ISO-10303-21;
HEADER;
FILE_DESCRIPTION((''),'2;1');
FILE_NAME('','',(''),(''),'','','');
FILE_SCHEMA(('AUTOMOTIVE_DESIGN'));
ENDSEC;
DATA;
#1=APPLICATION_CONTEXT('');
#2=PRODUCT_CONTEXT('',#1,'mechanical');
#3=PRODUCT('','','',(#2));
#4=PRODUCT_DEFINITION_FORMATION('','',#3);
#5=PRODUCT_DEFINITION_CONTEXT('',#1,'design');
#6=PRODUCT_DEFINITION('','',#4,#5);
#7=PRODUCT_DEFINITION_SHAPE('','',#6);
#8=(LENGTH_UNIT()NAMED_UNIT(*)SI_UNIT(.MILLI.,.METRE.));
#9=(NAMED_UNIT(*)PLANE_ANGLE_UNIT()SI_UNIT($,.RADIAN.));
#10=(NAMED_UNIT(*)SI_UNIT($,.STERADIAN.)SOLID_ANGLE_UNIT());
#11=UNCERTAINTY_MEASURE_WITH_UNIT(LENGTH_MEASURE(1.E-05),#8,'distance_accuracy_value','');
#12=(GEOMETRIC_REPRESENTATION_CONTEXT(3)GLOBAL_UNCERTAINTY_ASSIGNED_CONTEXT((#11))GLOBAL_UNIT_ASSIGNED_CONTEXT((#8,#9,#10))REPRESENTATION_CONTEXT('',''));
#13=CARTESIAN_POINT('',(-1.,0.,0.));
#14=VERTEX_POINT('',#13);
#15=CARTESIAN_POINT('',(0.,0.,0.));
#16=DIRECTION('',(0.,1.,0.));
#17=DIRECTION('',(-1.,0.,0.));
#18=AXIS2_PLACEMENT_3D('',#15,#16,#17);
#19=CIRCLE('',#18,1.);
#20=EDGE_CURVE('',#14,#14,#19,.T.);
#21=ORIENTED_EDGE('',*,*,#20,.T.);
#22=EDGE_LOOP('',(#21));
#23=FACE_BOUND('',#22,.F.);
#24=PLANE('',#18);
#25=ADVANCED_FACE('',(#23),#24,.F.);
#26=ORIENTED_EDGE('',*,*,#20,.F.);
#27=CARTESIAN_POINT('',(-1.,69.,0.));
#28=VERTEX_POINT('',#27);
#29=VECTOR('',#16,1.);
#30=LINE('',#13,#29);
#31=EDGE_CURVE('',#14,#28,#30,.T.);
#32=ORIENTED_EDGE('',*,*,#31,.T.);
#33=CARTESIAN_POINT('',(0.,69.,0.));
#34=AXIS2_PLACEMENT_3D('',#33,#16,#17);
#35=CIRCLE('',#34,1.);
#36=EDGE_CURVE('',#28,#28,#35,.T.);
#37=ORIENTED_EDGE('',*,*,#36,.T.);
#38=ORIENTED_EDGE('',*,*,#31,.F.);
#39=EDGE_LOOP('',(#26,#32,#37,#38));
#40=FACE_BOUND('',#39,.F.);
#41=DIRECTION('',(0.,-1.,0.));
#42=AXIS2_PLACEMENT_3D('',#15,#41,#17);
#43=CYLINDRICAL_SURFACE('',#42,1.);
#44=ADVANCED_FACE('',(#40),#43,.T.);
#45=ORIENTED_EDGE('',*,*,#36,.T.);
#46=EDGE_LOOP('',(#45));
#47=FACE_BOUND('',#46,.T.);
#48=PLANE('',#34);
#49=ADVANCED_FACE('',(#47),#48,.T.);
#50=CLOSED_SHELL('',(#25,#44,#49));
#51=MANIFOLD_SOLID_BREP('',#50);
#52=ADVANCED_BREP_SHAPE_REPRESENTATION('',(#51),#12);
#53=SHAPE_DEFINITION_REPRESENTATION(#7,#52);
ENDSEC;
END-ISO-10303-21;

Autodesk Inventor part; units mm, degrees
ref_plane "YZ Plane" through (0, 0, 0) normal (1, 0, 0) x (0, 1, 0)
ref_plane "XZ Plane" through (0, 0, 0) normal (0, 1, 0) x (-1, 0, 0)
ref_plane "XY Plane" through (0, 0, 0) normal (0, 0, 1) x (1, 0, 0)
sketch "Sketch1" plane through (0, 0, 0) normal (0, 1, 0) x (-1, 0, 0)
  circle A0 centre (0, 0) radius 1
  dimension "d0" = 2
extrude "Extrusion1" add sketch "Sketch1" along normal blind 69
properties part number "axe_aileron"
